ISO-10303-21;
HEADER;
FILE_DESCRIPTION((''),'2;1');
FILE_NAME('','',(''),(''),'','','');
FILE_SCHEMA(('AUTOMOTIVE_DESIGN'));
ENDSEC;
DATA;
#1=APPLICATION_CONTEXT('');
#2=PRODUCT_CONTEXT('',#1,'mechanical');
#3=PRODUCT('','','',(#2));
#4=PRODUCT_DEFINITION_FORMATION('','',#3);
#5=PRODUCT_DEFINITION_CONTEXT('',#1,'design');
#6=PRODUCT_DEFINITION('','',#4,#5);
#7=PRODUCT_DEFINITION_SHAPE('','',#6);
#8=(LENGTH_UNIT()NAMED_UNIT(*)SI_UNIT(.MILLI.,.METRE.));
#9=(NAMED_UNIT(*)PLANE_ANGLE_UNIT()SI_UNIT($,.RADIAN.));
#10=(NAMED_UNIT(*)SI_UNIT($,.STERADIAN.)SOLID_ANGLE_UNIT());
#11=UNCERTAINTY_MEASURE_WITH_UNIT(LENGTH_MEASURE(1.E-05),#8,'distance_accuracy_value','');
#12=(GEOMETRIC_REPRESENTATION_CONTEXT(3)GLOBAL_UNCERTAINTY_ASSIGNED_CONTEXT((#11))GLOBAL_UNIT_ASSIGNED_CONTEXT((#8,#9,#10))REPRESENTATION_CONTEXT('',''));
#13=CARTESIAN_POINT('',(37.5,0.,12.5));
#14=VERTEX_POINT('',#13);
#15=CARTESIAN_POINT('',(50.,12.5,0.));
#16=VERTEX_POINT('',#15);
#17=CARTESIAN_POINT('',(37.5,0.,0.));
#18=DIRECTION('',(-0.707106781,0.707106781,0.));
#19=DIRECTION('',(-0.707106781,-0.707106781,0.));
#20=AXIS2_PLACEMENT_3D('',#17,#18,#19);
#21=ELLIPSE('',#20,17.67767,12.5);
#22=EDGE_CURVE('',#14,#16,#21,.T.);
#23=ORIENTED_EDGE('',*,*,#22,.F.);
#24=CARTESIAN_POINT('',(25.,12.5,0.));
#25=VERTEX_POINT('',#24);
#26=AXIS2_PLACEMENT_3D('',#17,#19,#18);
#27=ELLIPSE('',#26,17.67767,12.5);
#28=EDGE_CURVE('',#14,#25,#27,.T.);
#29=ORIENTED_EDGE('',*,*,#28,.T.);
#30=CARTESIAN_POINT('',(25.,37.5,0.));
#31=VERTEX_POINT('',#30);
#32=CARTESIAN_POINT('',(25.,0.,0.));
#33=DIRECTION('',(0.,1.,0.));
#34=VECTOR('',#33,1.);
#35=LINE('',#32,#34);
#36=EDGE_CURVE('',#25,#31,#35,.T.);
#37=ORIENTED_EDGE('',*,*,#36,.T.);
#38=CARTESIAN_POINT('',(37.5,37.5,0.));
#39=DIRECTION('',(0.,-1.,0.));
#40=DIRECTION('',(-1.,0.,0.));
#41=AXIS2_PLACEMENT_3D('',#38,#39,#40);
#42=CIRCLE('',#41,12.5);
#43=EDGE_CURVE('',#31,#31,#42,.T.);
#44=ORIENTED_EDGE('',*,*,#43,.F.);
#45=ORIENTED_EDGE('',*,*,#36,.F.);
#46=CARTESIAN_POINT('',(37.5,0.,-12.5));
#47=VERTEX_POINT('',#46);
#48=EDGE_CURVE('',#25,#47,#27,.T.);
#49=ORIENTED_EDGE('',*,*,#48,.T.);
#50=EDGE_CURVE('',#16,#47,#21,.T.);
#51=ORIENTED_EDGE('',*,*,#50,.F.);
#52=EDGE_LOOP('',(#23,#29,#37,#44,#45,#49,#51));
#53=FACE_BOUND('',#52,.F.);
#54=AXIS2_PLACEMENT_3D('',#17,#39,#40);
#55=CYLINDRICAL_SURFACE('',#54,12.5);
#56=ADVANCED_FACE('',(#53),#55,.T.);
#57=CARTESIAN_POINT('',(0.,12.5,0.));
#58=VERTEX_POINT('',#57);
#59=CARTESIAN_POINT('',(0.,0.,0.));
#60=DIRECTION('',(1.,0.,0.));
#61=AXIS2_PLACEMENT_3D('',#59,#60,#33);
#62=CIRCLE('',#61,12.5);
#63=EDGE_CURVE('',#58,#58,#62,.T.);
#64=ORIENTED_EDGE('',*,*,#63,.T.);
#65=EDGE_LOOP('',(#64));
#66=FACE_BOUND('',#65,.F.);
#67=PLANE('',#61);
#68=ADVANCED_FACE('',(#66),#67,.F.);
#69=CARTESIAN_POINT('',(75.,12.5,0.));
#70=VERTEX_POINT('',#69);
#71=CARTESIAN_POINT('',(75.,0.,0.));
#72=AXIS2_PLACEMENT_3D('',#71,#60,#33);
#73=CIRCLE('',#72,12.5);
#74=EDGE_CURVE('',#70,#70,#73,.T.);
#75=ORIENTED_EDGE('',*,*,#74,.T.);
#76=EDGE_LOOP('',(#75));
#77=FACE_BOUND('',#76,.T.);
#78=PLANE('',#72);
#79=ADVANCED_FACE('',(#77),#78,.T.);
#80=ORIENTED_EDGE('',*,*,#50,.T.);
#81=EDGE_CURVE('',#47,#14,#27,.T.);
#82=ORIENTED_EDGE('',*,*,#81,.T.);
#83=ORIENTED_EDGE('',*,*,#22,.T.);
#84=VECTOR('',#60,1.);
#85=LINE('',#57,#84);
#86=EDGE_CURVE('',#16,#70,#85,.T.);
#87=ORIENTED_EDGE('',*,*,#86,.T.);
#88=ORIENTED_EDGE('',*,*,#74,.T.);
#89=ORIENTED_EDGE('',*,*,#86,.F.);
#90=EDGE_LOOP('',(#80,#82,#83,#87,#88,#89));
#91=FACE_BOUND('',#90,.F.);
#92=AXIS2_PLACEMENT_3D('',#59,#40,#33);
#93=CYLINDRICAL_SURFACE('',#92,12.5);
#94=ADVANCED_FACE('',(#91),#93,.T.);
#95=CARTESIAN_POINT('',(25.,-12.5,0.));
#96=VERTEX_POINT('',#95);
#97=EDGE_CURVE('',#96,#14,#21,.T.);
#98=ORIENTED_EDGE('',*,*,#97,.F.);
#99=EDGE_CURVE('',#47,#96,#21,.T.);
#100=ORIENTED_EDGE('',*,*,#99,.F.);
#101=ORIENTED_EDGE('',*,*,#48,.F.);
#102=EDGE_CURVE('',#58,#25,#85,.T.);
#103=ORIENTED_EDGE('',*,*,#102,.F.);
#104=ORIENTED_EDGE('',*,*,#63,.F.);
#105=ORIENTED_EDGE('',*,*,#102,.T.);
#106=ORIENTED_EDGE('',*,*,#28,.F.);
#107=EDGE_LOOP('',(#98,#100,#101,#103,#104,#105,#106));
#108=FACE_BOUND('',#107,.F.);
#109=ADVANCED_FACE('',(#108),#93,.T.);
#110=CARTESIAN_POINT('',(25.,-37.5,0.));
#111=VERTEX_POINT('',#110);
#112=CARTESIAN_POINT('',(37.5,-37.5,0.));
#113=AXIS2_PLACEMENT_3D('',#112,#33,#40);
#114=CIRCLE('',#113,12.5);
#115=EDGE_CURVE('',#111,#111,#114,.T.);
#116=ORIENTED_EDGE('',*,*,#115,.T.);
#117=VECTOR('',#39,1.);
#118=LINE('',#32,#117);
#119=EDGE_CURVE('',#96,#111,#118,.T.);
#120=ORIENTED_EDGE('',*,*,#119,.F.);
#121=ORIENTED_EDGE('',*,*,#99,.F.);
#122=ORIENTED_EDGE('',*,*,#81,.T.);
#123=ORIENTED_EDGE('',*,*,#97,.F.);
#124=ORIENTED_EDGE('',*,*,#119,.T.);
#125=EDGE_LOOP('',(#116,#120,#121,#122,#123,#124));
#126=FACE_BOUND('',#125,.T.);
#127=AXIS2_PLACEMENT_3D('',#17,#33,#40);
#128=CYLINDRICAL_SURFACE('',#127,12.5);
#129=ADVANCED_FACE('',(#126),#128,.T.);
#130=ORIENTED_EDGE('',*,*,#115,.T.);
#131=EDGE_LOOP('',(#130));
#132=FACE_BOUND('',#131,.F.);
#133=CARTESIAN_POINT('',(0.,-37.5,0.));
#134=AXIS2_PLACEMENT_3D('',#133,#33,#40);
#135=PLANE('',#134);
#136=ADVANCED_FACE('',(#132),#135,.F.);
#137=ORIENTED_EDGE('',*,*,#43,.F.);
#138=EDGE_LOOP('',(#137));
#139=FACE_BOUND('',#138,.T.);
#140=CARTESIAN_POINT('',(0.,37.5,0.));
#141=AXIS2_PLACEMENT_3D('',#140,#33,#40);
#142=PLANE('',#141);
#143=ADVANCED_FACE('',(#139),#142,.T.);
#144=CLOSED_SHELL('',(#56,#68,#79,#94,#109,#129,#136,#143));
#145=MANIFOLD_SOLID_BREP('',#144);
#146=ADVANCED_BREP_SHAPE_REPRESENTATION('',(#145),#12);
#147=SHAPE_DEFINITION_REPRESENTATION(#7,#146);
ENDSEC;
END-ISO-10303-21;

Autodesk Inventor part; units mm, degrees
ref_plane "YZ Plane" through (0, 0, 0) normal (1, 0, 0) x (0, 1, 0)
ref_plane "XZ Plane" through (0, 0, 0) normal (0, 1, 0) x (-1, 0, 0)
ref_plane "XY Plane" through (0, 0, 0) normal (0, 0, 1) x (1, 0, 0)
sketch "草图1" plane through (0, 0, 0) normal (1, 0, 0) x (0, 1, 0)
  circle A0 centre (0, 0) radius 12.5
  dimension "d0" = 25
extrude "拉伸1" add sketch "草图1" along normal blind 75
sketch "草图2" plane through (0, 0, 0) normal (0, 1, 0) x (-1, 0, 0)
  circle A0 centre (-37.5, 0) radius 12.5
  line L0 (0, 12.5) -> (-75, 12.5) projected
  line L1 (0, -12.5) -> (-75, -12.5) projected
  point P0 (0, 0)
  point P1 (-37.5, -12.5)
extrude "拉伸2" add sketch "草图2" along normal mid plane 75
properties part number "第一次上机-示例建模"
